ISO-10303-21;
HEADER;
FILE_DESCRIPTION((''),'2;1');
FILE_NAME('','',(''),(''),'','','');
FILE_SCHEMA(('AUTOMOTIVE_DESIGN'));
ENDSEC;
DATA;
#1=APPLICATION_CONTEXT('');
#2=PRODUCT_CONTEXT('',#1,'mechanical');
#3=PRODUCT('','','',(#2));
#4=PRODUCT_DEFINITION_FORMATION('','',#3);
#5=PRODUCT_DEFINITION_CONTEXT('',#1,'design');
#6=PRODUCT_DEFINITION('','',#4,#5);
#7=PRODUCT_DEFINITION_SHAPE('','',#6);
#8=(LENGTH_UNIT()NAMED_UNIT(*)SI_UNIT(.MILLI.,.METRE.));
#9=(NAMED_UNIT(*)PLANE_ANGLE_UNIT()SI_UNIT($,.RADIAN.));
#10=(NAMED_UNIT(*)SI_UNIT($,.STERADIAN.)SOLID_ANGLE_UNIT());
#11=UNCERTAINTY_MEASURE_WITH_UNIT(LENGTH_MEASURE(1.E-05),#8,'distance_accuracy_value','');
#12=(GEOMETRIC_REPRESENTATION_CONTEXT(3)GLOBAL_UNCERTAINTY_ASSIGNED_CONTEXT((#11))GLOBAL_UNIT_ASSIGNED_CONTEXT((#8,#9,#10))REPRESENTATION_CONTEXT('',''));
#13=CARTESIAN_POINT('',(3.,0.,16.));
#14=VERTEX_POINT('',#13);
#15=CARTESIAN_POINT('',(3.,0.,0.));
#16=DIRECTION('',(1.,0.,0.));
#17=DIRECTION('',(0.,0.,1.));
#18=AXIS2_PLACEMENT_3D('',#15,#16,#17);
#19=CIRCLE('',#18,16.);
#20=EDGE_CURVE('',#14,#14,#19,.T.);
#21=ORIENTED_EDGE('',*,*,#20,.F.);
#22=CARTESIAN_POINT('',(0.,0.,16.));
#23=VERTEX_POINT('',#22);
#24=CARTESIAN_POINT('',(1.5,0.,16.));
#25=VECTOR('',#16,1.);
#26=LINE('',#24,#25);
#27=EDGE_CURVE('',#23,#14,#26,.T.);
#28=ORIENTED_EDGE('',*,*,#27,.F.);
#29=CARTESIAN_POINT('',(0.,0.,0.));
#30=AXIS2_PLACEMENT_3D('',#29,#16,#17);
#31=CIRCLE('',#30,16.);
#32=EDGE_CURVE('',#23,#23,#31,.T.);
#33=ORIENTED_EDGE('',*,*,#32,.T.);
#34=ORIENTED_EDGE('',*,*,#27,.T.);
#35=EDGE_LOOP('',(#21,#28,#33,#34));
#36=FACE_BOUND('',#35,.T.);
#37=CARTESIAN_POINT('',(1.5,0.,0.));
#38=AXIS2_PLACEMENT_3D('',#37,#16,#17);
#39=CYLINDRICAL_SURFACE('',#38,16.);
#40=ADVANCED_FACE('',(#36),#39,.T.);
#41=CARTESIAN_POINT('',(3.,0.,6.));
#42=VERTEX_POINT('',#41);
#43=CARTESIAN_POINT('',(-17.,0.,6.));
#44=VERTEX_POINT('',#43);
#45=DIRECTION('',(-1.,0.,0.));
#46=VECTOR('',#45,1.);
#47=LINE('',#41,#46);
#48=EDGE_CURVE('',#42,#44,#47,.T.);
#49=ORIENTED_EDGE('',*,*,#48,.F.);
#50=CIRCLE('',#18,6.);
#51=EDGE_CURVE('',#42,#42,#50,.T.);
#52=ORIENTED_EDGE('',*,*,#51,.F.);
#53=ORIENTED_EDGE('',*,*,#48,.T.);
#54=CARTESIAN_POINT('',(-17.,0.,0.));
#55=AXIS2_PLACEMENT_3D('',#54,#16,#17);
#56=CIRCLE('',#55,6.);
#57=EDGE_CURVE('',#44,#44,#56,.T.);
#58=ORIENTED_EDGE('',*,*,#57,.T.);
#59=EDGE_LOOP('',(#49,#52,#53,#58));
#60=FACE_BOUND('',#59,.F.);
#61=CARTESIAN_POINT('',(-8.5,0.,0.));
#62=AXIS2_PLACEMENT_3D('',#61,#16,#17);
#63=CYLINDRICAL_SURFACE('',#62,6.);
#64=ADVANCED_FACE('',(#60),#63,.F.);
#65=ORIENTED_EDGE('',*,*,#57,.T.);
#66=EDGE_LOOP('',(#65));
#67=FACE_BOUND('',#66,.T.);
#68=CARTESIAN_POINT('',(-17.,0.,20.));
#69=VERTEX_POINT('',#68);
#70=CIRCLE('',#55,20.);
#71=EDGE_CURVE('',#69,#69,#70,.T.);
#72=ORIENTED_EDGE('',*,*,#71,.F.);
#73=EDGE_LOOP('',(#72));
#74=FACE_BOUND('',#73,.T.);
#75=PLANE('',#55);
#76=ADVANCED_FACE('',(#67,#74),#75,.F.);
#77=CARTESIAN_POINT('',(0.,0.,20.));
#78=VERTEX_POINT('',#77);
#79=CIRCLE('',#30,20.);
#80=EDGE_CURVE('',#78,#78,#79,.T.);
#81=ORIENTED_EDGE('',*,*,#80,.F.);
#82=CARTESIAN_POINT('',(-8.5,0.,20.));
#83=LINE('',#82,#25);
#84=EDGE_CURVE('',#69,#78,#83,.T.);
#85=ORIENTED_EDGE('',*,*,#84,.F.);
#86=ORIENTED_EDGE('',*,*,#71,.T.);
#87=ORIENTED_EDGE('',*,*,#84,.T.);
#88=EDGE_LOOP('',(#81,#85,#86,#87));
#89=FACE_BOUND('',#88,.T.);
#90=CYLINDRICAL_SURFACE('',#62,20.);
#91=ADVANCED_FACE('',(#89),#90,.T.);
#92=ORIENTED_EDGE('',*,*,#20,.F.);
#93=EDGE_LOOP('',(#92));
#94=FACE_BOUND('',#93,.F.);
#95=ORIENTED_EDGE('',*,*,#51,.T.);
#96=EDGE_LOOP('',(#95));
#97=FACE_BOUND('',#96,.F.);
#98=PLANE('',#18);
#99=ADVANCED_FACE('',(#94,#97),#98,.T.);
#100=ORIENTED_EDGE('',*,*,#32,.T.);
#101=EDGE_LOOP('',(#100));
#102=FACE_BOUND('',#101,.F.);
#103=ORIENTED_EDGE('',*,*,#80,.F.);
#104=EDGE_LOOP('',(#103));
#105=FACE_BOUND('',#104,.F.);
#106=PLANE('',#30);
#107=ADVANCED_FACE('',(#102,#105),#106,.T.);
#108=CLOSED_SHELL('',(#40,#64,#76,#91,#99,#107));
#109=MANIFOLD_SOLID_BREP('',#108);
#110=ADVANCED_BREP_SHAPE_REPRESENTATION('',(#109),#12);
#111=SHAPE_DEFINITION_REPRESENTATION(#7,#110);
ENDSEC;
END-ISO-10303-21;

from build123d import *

# Parameters (mm, degrees)
F0_W = 3
F0_H = 10
F2_W = 17
F2_H = 14


with BuildPart() as f1:
    # F0 (on Front) → F1 (revolve)
    with BuildSketch(Plane.XZ):
        with Locations((1.5, 11)):
            Rectangle(F0_W, F0_H)
    revolve(axis=Axis((26.689221, 0, 0), (1, 0, 0)))

    # F2 (on Front) + F0 (on Front) → F3 (revolve)
    with BuildSketch(Plane.XZ):
        with Locations((-8.5, 13)):
            Rectangle(F2_W, F2_H)
    with BuildSketch(Plane.XZ):
        with Locations((1.5, 11)):
            Rectangle(F0_W, F0_H)
    revolve(axis=Axis((26.689221, 0, 0), (1, 0, 0)))


solid = f1.part
